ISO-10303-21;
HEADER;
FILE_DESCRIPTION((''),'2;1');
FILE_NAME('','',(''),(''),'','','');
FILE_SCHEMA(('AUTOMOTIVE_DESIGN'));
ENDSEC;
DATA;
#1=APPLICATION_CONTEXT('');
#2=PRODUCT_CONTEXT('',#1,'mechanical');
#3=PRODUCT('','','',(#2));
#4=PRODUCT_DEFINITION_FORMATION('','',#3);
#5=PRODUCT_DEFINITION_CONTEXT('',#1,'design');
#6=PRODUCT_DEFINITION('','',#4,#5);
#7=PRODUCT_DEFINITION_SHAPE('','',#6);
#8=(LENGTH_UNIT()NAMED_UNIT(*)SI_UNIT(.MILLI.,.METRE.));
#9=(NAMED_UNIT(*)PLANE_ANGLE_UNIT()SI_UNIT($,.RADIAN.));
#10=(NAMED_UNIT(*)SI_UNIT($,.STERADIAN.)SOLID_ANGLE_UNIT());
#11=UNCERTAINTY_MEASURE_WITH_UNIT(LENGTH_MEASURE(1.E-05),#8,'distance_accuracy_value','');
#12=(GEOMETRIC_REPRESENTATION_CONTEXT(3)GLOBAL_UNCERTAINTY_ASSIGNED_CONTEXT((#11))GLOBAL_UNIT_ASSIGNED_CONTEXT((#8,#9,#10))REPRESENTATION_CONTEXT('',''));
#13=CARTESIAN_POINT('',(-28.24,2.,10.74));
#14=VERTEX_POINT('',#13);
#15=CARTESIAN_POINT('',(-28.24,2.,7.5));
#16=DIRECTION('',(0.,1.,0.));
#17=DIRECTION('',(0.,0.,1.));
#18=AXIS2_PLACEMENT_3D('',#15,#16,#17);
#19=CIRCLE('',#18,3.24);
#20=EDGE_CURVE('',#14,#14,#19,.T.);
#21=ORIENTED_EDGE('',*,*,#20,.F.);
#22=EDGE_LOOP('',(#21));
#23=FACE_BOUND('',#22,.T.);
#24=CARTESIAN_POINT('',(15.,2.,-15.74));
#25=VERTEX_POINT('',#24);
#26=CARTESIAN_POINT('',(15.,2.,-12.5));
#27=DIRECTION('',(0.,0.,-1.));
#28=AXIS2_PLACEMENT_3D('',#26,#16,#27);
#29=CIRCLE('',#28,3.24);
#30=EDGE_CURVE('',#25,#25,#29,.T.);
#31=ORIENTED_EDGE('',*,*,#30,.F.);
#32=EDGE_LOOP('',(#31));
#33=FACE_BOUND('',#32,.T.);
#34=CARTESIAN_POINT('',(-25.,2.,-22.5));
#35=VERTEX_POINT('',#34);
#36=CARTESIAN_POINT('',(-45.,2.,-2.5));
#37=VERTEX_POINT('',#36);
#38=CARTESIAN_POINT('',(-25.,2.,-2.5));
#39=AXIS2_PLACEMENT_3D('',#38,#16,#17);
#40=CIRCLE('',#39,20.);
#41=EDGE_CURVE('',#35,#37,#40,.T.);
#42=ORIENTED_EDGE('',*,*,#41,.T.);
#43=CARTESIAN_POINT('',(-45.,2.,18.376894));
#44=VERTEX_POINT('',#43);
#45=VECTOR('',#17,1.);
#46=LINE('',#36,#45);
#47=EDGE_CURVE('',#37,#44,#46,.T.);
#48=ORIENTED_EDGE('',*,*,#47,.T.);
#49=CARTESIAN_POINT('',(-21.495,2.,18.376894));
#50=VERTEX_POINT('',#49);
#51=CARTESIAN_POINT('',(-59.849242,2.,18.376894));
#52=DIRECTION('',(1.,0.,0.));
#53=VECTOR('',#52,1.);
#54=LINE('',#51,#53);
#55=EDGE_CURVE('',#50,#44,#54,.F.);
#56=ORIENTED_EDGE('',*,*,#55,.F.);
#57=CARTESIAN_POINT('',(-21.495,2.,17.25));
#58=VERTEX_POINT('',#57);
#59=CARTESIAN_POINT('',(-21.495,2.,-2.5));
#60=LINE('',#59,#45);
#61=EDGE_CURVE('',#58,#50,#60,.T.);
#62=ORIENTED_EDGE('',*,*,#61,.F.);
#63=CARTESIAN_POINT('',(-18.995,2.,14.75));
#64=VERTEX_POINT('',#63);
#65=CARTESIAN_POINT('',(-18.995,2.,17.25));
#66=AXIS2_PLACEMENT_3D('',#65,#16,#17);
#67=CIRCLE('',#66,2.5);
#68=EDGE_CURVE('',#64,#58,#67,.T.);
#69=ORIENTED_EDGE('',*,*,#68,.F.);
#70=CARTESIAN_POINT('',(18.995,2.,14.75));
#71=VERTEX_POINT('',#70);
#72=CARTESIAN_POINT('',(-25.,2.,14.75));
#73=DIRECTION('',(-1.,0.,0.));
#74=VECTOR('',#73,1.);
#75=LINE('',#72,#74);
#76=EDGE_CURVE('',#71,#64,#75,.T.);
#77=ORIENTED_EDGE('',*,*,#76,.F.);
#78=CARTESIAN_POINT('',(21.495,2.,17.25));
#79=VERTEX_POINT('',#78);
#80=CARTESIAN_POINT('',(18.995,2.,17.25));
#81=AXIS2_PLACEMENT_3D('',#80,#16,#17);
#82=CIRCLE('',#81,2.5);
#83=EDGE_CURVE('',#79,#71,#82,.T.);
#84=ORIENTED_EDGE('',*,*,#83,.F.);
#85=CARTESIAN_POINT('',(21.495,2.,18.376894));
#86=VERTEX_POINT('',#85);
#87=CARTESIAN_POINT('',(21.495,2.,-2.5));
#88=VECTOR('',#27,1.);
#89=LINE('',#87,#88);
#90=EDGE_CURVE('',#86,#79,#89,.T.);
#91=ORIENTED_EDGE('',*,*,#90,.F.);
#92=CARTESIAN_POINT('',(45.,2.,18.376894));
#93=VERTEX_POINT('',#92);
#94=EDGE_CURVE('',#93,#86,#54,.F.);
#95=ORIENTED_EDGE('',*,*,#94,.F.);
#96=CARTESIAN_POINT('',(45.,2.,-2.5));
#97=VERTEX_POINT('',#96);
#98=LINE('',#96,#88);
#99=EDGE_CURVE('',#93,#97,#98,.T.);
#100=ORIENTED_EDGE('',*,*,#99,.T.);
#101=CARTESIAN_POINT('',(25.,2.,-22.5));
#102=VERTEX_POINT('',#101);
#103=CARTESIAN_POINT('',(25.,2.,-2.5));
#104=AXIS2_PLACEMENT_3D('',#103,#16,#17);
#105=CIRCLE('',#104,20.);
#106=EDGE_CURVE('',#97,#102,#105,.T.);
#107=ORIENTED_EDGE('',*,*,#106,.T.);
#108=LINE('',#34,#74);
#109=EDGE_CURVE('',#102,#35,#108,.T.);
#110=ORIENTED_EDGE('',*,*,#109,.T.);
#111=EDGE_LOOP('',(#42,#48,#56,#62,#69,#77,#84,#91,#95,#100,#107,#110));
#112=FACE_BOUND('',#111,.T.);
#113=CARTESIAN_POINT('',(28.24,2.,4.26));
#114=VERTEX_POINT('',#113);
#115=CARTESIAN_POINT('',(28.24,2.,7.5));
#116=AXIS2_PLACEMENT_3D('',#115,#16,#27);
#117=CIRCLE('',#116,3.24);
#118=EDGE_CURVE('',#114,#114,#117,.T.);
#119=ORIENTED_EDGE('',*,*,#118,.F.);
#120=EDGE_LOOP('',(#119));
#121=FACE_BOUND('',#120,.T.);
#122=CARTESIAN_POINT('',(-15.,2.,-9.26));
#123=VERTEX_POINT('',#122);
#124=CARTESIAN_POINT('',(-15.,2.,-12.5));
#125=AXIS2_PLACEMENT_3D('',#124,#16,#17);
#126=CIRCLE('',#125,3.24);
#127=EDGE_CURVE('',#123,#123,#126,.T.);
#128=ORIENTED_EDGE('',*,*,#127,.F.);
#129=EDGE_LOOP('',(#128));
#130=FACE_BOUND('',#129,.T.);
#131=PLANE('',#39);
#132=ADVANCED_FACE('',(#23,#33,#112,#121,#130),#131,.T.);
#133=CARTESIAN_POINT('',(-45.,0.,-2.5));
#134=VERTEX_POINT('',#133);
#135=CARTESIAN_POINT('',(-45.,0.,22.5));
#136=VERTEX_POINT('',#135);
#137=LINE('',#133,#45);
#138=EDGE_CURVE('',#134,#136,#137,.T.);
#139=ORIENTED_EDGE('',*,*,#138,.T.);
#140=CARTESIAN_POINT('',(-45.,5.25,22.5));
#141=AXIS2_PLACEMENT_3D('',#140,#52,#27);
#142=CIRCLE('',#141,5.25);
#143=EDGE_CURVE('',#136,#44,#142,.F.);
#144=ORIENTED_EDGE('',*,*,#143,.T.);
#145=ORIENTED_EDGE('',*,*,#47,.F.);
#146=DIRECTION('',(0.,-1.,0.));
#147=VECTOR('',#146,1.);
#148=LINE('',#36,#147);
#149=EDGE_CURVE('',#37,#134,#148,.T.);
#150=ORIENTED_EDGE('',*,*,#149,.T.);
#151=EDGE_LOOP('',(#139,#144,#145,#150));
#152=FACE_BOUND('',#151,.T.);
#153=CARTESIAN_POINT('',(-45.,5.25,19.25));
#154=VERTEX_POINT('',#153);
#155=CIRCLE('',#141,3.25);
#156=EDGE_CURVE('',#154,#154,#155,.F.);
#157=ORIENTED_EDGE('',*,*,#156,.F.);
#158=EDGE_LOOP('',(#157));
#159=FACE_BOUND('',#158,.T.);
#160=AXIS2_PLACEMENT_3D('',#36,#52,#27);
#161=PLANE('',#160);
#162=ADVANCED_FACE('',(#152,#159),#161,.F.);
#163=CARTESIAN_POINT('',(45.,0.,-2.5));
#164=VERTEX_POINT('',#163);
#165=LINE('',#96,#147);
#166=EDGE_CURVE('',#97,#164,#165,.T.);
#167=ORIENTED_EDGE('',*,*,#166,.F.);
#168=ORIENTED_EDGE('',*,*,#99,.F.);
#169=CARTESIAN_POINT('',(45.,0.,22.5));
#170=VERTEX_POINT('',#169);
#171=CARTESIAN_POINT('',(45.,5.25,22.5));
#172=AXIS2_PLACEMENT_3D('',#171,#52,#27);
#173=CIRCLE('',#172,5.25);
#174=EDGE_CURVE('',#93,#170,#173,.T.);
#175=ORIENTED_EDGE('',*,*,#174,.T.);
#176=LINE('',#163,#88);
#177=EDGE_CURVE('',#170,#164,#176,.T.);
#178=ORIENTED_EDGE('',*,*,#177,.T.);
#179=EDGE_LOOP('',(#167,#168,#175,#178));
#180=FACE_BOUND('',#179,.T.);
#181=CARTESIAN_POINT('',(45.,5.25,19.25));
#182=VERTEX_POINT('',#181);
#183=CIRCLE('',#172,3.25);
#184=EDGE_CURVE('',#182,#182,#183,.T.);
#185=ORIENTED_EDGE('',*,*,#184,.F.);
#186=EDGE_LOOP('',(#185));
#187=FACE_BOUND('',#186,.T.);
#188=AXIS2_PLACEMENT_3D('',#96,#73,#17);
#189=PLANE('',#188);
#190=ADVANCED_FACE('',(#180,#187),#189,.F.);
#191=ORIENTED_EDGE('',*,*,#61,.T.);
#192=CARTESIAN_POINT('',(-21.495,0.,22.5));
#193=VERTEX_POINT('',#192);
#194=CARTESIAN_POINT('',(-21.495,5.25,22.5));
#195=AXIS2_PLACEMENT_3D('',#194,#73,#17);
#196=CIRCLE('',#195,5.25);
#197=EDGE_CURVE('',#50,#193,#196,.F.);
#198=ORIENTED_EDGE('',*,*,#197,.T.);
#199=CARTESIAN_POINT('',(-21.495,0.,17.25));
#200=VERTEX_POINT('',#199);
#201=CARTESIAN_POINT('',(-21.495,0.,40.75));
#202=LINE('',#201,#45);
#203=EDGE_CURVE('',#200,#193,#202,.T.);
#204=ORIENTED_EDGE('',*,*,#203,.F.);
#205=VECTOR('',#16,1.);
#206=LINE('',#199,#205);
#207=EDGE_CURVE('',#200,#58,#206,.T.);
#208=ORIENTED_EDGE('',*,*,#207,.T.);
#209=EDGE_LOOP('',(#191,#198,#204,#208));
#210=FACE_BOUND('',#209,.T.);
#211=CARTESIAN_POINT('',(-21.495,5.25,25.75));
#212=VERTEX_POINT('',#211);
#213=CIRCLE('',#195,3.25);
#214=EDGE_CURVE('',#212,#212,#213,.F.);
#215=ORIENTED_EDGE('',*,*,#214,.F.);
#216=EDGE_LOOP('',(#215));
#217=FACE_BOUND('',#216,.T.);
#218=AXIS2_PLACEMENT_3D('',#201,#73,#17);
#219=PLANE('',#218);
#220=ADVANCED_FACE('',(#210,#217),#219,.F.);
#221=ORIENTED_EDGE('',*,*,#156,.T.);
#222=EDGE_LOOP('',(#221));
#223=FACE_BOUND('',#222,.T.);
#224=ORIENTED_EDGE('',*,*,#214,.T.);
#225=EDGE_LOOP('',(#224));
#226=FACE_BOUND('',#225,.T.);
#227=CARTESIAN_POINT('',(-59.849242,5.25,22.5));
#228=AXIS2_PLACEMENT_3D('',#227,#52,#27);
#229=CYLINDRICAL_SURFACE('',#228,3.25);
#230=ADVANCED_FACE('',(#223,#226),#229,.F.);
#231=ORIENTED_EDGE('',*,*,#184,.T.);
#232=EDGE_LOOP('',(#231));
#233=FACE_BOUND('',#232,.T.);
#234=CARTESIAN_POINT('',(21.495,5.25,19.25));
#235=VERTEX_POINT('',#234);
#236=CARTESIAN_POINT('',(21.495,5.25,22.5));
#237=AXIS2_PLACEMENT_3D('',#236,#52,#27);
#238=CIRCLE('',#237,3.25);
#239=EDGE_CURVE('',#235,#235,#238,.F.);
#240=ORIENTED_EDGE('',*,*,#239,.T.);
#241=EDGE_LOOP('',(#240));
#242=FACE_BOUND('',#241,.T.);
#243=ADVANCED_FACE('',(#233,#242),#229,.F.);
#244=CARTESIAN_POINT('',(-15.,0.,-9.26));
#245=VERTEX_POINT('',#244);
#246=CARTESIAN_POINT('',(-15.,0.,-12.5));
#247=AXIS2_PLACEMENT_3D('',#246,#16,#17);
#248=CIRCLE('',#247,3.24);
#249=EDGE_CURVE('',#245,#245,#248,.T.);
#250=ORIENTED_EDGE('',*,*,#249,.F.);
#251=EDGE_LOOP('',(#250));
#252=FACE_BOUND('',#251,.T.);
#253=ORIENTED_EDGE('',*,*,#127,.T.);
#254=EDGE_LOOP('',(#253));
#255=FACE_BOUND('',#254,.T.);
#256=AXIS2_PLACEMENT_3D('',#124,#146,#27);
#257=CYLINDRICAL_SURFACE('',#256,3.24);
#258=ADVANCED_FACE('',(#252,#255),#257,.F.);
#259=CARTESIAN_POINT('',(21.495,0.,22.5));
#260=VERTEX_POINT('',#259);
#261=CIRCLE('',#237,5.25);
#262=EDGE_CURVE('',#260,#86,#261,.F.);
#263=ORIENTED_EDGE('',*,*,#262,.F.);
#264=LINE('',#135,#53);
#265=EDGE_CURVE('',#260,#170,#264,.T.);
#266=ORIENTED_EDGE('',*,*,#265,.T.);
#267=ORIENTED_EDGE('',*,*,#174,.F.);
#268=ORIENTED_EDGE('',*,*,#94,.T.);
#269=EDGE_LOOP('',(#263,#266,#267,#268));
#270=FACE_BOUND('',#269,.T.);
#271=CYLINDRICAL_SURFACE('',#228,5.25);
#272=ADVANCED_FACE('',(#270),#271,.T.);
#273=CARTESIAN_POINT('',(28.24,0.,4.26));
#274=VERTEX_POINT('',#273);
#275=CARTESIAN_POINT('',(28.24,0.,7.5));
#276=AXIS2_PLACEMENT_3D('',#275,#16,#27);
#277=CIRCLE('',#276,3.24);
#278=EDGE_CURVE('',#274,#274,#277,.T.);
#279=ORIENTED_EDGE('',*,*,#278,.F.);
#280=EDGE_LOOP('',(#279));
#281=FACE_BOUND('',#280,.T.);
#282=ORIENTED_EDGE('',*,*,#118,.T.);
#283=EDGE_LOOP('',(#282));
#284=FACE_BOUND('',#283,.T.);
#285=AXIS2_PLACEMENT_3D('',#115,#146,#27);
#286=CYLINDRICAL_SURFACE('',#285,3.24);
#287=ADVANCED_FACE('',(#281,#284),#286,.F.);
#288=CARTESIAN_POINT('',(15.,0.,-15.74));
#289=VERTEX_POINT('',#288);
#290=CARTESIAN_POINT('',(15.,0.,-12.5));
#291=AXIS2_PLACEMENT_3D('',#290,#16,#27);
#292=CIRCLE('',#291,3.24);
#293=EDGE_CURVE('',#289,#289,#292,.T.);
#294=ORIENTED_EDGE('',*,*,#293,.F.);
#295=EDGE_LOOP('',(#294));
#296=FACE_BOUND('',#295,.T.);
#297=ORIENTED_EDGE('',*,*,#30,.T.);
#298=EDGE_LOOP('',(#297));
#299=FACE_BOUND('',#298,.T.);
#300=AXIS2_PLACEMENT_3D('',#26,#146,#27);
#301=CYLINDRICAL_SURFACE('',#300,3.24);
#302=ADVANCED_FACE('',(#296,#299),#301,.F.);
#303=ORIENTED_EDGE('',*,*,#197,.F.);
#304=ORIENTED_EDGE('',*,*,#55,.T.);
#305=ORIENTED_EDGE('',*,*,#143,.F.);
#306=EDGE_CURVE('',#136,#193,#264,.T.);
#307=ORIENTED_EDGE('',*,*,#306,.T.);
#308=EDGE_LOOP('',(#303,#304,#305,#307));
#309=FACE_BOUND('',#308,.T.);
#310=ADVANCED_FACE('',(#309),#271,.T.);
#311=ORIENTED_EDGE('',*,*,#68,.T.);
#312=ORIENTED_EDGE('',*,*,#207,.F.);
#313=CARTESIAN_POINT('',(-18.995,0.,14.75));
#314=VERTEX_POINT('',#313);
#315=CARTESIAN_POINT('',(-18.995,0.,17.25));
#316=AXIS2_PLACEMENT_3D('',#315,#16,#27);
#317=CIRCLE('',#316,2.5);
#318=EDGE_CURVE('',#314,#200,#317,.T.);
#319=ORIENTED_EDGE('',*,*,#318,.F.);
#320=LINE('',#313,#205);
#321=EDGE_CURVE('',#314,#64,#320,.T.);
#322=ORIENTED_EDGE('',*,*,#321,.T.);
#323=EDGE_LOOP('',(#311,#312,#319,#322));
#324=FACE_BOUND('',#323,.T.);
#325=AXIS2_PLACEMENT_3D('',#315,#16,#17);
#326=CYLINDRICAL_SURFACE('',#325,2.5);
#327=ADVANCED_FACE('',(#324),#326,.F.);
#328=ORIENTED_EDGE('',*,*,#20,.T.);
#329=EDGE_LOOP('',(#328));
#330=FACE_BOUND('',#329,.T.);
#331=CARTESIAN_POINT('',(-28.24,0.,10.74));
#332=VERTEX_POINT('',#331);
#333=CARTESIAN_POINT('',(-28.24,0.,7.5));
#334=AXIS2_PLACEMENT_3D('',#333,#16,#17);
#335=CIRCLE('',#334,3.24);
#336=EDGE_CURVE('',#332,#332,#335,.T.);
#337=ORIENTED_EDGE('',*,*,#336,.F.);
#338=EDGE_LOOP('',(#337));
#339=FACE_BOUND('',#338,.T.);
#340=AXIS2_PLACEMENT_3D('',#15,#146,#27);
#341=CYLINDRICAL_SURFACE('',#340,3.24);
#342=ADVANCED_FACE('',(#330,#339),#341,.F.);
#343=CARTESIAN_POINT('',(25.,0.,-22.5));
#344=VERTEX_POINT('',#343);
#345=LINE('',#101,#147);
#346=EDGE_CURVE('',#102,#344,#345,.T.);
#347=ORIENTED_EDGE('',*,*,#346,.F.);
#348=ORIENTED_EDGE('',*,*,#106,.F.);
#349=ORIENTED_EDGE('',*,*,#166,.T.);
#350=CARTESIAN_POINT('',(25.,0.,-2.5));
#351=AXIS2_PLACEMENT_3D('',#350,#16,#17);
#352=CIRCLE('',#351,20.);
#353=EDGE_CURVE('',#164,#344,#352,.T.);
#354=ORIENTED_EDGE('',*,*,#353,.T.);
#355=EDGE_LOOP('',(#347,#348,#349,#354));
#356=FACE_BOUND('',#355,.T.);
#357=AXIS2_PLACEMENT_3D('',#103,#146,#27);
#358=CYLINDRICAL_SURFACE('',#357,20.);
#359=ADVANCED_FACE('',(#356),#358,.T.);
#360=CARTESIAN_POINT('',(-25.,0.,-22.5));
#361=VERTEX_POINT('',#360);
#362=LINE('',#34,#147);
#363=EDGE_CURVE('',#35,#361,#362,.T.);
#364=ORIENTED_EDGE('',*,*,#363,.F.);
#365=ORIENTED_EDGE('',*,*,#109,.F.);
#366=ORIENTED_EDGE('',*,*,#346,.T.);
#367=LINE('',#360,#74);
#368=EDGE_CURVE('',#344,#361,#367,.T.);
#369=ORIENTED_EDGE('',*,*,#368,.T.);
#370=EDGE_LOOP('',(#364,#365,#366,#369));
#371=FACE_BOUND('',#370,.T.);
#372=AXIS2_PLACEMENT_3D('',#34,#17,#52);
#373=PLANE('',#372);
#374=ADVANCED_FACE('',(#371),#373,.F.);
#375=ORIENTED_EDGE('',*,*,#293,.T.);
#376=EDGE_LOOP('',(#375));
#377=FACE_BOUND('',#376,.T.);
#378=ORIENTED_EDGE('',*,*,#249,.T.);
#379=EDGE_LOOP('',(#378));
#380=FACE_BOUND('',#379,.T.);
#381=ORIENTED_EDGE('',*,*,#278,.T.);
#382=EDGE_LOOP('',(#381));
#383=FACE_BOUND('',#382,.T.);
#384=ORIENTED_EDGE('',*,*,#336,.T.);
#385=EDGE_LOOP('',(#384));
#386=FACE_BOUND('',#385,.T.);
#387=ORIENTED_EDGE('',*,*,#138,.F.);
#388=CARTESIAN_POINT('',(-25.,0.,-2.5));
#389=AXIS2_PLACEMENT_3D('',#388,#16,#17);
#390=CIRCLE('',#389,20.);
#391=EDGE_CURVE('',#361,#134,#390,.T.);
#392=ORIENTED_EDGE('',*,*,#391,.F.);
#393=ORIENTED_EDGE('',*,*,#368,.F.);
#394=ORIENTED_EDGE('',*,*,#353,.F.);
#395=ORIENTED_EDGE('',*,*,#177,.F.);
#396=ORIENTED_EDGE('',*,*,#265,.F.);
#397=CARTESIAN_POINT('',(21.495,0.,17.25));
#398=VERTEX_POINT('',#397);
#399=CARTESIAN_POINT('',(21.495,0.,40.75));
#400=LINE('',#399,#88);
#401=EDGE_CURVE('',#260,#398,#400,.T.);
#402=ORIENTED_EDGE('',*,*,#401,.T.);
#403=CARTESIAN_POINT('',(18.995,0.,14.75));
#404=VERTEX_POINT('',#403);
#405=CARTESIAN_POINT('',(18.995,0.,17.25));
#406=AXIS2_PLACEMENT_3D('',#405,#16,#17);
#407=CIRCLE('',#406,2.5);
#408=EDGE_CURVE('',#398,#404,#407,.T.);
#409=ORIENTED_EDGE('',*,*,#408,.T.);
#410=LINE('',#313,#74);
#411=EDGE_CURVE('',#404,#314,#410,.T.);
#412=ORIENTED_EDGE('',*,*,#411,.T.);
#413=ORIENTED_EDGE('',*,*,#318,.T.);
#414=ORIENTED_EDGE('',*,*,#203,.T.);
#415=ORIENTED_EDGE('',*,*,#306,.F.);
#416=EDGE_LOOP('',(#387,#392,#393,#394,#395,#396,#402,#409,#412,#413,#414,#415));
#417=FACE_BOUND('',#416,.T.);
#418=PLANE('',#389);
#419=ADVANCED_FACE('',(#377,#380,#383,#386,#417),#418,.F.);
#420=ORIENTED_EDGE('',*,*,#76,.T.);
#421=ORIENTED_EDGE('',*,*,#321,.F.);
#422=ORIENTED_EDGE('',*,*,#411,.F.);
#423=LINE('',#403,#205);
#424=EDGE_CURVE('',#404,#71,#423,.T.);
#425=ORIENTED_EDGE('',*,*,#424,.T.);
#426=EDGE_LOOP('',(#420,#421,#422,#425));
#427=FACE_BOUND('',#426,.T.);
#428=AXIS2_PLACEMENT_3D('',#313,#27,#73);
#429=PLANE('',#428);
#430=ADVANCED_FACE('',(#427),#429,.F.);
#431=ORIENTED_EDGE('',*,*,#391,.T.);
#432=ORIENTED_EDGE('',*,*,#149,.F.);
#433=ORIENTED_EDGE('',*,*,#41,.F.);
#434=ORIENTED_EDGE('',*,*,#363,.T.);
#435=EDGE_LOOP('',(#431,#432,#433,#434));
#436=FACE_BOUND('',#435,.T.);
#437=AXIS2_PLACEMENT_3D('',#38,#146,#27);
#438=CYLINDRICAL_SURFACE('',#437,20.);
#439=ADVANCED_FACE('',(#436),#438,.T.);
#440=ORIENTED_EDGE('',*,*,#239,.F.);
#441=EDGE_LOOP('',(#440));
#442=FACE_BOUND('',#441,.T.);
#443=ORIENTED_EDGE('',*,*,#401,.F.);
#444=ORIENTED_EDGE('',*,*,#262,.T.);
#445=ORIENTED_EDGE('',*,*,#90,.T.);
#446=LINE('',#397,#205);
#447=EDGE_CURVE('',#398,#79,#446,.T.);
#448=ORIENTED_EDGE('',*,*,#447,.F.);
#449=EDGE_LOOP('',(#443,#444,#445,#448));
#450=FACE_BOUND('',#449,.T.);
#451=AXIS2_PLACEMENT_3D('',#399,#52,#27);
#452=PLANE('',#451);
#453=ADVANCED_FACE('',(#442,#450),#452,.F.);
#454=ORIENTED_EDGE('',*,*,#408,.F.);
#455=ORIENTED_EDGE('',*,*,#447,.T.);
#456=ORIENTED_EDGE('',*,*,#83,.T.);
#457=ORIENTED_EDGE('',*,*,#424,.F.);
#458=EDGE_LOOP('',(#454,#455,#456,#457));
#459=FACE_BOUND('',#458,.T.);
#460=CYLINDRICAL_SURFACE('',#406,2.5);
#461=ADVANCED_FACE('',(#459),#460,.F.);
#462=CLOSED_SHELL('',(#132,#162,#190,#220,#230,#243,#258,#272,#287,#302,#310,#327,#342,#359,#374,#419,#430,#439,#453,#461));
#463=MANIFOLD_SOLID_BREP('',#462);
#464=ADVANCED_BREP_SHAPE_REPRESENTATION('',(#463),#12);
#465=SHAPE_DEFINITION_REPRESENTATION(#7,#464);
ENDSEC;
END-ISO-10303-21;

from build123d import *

# Parameters (mm, degrees)
SKETCH_1_R               = 3.24
EXTRUDE_1_DEPTH          = 2
SKETCH_2_R               = 5.25
SKETCH_2_R_2             = 3.25
EXTRUDE_2_DEPTH          = 90
CUT_EXTRUDE_1_DEPTH      = 54.547292182
CUT_EXTRUDE_1_DEPTH_BACK = 54.547292182


with BuildPart() as part:
    # Эскиз1 → Бобышка-Вытянуть1 (new body)
    with BuildSketch(Plane(origin=(0, 0, 0), x_dir=(1, 0, 0), z_dir=(0, 1, 0))):
        with BuildLine():
            Line((-25, 22.5), (25, 22.5))
            ThreePointArc((25, 22.5), (39.142135624, 16.642135624), (45, 2.5))
            Line((45, 2.5), (45, -22.5))
            Line((45, -22.5), (-45, -22.5))
            Line((-45, -22.5), (-45, 2.5))
            ThreePointArc((-45, 2.5), (-39.142135624, 16.642135624), (-25, 22.5))
        make_face()
        with Locations(Location((-28.24, -7.5, 0), (0, 0, 270))):
            Circle(SKETCH_1_R, mode=Mode.SUBTRACT)
        with Locations(Location((-15, 12.5, 0), (0, 0, 270))):
            Circle(SKETCH_1_R, mode=Mode.SUBTRACT)
        with Locations(Location((15, 12.5, 0), (0, 0, 90))):
            Circle(SKETCH_1_R, mode=Mode.SUBTRACT)
        with Locations(Location((28.24, -7.5, 0), (0, 0, 90))):
            Circle(SKETCH_1_R, mode=Mode.SUBTRACT)
    extrude(amount=EXTRUDE_1_DEPTH)

    # Эскиз2 → Бобышка-Вытянуть2 (add)
    with BuildSketch(Plane(origin=(45, 0, 0), x_dir=(0, 0, -1), z_dir=(1, 0, 0))):
        with Locations((-22.5, 5.25)):
            Circle(SKETCH_2_R)
        with Locations((-22.5, 5.25)):
            Circle(SKETCH_2_R_2, mode=Mode.SUBTRACT)
    extrude(amount=-EXTRUDE_2_DEPTH)

    # Эскиз3 → Вырез-Вытянуть1 (cut, two sides: drawn at the far end of the back side and taken through both)
    with BuildSketch(Plane(origin=(0, 2, 0), x_dir=(1, 0, 0), z_dir=(0, 1, 0)).offset(-CUT_EXTRUDE_1_DEPTH_BACK)):
        with BuildLine():
            Line((-21.495, -40.75), (21.495, -40.75))
            Line((21.495, -40.75), (21.495, -17.25))
            ThreePointArc((21.495, -17.25), (20.762766953, -15.482233047), (18.995, -14.75))
            Line((18.995, -14.75), (-18.995, -14.75))
            ThreePointArc((-18.995, -14.75), (-20.762766953, -15.482233047), (-21.495, -17.25))
            Line((-21.495, -17.25), (-21.495, -40.75))
        make_face()
    extrude(amount=CUT_EXTRUDE_1_DEPTH + CUT_EXTRUDE_1_DEPTH_BACK, mode=Mode.SUBTRACT)


solid = part.part
